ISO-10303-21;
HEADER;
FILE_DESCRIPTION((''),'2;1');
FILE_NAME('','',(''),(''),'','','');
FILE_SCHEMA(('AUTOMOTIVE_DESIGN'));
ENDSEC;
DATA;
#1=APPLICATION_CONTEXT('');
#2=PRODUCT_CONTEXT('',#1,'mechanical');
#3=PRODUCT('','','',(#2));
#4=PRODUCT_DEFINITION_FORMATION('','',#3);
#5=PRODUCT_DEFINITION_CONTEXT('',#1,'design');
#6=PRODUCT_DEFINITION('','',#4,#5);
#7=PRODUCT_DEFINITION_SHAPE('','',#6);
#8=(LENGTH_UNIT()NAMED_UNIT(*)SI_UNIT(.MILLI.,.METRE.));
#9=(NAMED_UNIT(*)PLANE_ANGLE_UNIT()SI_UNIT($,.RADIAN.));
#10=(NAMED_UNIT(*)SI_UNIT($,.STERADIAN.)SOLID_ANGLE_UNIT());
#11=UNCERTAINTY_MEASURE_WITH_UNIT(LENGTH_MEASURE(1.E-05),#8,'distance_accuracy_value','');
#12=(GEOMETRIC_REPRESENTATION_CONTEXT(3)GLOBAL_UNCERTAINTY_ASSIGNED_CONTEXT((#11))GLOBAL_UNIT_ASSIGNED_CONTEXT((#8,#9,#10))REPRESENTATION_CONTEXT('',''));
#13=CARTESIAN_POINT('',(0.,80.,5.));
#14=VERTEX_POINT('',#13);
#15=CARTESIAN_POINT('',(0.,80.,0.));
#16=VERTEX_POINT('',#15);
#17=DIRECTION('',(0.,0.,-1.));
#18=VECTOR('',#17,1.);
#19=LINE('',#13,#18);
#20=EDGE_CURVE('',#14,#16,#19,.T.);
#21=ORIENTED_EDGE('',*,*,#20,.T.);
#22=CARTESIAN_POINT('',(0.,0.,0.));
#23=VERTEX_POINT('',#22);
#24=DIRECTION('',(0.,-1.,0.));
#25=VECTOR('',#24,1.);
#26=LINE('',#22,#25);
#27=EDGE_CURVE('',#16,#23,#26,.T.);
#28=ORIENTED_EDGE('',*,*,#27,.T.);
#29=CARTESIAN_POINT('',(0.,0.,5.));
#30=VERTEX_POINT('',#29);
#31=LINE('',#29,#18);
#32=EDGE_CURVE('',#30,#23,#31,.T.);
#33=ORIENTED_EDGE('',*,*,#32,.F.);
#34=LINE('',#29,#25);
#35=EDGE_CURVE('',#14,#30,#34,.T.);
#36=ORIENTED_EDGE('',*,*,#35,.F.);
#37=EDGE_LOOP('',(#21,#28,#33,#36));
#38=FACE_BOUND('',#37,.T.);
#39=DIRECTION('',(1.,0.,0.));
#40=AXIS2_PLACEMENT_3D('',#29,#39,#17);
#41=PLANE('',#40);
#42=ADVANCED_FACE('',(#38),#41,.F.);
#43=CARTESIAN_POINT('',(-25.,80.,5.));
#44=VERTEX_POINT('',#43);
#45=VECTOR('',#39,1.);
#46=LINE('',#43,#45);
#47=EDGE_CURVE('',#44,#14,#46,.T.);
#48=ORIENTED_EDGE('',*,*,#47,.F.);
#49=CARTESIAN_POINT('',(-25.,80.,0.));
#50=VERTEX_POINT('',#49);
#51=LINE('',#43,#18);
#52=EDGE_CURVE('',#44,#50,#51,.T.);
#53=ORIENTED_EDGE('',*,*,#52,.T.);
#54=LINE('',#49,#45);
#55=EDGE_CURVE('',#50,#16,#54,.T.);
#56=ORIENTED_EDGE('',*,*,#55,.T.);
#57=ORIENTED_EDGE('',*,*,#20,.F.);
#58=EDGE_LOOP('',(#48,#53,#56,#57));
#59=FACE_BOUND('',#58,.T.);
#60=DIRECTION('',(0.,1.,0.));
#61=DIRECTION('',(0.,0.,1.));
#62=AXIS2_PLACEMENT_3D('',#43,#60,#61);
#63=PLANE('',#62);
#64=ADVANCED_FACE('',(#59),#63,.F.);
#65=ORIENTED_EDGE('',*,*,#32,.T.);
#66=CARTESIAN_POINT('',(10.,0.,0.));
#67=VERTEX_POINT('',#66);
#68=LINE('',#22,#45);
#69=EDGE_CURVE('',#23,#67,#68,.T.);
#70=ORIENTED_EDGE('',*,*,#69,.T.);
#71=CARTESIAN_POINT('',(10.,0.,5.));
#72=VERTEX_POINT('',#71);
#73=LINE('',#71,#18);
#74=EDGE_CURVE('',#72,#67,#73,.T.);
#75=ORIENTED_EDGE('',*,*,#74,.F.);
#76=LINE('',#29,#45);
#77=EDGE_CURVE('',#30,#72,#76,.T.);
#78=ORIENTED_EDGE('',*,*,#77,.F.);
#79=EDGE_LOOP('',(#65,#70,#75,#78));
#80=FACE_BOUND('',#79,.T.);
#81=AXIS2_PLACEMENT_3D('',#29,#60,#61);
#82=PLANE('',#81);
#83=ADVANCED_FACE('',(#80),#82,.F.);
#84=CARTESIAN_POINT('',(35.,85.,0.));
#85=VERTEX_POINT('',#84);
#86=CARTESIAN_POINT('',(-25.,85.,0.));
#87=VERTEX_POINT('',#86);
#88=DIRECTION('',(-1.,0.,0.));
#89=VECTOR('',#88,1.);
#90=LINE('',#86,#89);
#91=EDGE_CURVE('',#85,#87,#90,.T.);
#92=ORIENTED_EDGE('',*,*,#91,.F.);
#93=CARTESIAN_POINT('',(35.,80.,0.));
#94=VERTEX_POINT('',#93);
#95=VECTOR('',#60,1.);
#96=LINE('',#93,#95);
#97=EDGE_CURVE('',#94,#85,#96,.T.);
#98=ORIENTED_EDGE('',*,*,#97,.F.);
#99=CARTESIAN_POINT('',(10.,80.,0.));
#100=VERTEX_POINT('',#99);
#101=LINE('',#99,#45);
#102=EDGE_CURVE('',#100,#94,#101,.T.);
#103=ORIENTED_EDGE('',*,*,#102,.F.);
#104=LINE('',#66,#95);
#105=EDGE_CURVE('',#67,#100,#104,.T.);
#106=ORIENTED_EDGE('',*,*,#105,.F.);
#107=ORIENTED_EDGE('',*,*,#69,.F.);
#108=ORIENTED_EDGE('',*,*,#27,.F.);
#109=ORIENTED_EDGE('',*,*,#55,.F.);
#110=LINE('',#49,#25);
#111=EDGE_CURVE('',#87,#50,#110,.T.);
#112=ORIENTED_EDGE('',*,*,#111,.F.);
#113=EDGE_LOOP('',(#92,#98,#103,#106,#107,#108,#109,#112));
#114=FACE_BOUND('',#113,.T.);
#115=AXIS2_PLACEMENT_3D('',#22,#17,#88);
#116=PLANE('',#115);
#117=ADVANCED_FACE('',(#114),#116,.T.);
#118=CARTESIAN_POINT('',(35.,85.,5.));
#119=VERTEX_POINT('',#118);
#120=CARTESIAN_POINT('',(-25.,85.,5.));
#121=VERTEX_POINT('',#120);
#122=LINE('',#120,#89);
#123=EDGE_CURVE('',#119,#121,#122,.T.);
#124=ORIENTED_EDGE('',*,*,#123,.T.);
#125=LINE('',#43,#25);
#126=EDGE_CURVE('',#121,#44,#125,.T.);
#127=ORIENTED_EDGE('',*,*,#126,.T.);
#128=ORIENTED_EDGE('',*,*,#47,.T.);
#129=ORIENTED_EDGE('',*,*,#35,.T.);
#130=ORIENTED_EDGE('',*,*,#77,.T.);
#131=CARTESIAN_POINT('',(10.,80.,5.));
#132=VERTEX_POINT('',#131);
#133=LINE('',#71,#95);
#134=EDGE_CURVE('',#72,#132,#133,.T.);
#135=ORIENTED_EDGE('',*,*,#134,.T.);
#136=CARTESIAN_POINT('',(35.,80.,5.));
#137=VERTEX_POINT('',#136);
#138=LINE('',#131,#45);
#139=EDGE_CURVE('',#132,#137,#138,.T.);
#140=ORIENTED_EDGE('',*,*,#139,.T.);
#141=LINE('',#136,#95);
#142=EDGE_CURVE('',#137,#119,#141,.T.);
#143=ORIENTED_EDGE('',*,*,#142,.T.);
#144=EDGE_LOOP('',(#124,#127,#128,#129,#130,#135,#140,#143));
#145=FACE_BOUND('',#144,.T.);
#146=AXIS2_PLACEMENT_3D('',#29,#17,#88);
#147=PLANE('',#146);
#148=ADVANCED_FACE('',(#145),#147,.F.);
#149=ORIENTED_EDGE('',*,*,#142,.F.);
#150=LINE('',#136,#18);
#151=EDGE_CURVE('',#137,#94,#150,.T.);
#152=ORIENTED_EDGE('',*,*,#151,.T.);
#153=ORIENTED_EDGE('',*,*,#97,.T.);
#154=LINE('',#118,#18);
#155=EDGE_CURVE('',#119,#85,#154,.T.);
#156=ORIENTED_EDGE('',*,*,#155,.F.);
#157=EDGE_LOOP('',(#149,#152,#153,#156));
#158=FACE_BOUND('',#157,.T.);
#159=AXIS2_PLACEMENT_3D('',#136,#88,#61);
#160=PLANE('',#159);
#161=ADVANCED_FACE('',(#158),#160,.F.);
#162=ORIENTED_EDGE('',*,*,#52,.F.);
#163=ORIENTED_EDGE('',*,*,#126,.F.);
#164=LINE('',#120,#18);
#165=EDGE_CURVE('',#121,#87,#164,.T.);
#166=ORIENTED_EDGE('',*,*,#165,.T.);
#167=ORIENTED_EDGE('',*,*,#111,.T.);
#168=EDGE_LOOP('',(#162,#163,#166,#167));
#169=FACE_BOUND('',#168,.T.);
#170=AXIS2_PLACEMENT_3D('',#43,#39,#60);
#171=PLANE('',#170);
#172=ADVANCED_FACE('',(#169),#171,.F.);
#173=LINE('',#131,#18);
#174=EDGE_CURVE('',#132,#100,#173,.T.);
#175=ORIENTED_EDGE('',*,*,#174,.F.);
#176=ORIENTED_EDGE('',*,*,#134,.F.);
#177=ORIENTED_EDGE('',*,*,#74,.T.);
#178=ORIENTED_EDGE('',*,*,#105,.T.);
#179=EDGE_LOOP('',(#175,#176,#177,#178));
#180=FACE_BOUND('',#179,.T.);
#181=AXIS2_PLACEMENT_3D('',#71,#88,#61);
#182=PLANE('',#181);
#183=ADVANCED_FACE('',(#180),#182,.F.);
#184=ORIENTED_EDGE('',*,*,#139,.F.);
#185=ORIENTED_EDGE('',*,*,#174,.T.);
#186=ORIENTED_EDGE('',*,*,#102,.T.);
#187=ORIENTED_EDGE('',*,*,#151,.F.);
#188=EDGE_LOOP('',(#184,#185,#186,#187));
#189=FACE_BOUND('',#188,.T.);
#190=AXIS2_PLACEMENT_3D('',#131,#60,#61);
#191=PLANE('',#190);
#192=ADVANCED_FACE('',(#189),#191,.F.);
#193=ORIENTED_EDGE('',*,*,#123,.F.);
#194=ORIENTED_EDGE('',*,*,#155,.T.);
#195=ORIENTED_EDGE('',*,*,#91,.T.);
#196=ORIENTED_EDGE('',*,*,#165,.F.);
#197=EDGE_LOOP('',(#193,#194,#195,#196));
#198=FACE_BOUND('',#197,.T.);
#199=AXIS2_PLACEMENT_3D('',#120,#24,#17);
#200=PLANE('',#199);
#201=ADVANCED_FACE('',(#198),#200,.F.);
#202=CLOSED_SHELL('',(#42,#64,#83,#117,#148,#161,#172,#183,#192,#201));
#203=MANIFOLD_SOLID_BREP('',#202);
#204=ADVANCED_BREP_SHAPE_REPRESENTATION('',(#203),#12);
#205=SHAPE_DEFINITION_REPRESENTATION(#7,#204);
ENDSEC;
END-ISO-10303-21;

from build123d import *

# Parameters (mm, degrees)
BOSS_EXTRUDE1_DEPTH = 5


with BuildPart() as part:
    # Sketch1 → Boss-Extrude1 (new body)
    with BuildSketch(Plane.XY):
        Polygon((10, 80), (35, 80), (35, 85), (-25, 85), (-25, 80), (0, 80), (0, 0), (10, 0), align=None)
    extrude(amount=BOSS_EXTRUDE1_DEPTH)


solid = part.part
